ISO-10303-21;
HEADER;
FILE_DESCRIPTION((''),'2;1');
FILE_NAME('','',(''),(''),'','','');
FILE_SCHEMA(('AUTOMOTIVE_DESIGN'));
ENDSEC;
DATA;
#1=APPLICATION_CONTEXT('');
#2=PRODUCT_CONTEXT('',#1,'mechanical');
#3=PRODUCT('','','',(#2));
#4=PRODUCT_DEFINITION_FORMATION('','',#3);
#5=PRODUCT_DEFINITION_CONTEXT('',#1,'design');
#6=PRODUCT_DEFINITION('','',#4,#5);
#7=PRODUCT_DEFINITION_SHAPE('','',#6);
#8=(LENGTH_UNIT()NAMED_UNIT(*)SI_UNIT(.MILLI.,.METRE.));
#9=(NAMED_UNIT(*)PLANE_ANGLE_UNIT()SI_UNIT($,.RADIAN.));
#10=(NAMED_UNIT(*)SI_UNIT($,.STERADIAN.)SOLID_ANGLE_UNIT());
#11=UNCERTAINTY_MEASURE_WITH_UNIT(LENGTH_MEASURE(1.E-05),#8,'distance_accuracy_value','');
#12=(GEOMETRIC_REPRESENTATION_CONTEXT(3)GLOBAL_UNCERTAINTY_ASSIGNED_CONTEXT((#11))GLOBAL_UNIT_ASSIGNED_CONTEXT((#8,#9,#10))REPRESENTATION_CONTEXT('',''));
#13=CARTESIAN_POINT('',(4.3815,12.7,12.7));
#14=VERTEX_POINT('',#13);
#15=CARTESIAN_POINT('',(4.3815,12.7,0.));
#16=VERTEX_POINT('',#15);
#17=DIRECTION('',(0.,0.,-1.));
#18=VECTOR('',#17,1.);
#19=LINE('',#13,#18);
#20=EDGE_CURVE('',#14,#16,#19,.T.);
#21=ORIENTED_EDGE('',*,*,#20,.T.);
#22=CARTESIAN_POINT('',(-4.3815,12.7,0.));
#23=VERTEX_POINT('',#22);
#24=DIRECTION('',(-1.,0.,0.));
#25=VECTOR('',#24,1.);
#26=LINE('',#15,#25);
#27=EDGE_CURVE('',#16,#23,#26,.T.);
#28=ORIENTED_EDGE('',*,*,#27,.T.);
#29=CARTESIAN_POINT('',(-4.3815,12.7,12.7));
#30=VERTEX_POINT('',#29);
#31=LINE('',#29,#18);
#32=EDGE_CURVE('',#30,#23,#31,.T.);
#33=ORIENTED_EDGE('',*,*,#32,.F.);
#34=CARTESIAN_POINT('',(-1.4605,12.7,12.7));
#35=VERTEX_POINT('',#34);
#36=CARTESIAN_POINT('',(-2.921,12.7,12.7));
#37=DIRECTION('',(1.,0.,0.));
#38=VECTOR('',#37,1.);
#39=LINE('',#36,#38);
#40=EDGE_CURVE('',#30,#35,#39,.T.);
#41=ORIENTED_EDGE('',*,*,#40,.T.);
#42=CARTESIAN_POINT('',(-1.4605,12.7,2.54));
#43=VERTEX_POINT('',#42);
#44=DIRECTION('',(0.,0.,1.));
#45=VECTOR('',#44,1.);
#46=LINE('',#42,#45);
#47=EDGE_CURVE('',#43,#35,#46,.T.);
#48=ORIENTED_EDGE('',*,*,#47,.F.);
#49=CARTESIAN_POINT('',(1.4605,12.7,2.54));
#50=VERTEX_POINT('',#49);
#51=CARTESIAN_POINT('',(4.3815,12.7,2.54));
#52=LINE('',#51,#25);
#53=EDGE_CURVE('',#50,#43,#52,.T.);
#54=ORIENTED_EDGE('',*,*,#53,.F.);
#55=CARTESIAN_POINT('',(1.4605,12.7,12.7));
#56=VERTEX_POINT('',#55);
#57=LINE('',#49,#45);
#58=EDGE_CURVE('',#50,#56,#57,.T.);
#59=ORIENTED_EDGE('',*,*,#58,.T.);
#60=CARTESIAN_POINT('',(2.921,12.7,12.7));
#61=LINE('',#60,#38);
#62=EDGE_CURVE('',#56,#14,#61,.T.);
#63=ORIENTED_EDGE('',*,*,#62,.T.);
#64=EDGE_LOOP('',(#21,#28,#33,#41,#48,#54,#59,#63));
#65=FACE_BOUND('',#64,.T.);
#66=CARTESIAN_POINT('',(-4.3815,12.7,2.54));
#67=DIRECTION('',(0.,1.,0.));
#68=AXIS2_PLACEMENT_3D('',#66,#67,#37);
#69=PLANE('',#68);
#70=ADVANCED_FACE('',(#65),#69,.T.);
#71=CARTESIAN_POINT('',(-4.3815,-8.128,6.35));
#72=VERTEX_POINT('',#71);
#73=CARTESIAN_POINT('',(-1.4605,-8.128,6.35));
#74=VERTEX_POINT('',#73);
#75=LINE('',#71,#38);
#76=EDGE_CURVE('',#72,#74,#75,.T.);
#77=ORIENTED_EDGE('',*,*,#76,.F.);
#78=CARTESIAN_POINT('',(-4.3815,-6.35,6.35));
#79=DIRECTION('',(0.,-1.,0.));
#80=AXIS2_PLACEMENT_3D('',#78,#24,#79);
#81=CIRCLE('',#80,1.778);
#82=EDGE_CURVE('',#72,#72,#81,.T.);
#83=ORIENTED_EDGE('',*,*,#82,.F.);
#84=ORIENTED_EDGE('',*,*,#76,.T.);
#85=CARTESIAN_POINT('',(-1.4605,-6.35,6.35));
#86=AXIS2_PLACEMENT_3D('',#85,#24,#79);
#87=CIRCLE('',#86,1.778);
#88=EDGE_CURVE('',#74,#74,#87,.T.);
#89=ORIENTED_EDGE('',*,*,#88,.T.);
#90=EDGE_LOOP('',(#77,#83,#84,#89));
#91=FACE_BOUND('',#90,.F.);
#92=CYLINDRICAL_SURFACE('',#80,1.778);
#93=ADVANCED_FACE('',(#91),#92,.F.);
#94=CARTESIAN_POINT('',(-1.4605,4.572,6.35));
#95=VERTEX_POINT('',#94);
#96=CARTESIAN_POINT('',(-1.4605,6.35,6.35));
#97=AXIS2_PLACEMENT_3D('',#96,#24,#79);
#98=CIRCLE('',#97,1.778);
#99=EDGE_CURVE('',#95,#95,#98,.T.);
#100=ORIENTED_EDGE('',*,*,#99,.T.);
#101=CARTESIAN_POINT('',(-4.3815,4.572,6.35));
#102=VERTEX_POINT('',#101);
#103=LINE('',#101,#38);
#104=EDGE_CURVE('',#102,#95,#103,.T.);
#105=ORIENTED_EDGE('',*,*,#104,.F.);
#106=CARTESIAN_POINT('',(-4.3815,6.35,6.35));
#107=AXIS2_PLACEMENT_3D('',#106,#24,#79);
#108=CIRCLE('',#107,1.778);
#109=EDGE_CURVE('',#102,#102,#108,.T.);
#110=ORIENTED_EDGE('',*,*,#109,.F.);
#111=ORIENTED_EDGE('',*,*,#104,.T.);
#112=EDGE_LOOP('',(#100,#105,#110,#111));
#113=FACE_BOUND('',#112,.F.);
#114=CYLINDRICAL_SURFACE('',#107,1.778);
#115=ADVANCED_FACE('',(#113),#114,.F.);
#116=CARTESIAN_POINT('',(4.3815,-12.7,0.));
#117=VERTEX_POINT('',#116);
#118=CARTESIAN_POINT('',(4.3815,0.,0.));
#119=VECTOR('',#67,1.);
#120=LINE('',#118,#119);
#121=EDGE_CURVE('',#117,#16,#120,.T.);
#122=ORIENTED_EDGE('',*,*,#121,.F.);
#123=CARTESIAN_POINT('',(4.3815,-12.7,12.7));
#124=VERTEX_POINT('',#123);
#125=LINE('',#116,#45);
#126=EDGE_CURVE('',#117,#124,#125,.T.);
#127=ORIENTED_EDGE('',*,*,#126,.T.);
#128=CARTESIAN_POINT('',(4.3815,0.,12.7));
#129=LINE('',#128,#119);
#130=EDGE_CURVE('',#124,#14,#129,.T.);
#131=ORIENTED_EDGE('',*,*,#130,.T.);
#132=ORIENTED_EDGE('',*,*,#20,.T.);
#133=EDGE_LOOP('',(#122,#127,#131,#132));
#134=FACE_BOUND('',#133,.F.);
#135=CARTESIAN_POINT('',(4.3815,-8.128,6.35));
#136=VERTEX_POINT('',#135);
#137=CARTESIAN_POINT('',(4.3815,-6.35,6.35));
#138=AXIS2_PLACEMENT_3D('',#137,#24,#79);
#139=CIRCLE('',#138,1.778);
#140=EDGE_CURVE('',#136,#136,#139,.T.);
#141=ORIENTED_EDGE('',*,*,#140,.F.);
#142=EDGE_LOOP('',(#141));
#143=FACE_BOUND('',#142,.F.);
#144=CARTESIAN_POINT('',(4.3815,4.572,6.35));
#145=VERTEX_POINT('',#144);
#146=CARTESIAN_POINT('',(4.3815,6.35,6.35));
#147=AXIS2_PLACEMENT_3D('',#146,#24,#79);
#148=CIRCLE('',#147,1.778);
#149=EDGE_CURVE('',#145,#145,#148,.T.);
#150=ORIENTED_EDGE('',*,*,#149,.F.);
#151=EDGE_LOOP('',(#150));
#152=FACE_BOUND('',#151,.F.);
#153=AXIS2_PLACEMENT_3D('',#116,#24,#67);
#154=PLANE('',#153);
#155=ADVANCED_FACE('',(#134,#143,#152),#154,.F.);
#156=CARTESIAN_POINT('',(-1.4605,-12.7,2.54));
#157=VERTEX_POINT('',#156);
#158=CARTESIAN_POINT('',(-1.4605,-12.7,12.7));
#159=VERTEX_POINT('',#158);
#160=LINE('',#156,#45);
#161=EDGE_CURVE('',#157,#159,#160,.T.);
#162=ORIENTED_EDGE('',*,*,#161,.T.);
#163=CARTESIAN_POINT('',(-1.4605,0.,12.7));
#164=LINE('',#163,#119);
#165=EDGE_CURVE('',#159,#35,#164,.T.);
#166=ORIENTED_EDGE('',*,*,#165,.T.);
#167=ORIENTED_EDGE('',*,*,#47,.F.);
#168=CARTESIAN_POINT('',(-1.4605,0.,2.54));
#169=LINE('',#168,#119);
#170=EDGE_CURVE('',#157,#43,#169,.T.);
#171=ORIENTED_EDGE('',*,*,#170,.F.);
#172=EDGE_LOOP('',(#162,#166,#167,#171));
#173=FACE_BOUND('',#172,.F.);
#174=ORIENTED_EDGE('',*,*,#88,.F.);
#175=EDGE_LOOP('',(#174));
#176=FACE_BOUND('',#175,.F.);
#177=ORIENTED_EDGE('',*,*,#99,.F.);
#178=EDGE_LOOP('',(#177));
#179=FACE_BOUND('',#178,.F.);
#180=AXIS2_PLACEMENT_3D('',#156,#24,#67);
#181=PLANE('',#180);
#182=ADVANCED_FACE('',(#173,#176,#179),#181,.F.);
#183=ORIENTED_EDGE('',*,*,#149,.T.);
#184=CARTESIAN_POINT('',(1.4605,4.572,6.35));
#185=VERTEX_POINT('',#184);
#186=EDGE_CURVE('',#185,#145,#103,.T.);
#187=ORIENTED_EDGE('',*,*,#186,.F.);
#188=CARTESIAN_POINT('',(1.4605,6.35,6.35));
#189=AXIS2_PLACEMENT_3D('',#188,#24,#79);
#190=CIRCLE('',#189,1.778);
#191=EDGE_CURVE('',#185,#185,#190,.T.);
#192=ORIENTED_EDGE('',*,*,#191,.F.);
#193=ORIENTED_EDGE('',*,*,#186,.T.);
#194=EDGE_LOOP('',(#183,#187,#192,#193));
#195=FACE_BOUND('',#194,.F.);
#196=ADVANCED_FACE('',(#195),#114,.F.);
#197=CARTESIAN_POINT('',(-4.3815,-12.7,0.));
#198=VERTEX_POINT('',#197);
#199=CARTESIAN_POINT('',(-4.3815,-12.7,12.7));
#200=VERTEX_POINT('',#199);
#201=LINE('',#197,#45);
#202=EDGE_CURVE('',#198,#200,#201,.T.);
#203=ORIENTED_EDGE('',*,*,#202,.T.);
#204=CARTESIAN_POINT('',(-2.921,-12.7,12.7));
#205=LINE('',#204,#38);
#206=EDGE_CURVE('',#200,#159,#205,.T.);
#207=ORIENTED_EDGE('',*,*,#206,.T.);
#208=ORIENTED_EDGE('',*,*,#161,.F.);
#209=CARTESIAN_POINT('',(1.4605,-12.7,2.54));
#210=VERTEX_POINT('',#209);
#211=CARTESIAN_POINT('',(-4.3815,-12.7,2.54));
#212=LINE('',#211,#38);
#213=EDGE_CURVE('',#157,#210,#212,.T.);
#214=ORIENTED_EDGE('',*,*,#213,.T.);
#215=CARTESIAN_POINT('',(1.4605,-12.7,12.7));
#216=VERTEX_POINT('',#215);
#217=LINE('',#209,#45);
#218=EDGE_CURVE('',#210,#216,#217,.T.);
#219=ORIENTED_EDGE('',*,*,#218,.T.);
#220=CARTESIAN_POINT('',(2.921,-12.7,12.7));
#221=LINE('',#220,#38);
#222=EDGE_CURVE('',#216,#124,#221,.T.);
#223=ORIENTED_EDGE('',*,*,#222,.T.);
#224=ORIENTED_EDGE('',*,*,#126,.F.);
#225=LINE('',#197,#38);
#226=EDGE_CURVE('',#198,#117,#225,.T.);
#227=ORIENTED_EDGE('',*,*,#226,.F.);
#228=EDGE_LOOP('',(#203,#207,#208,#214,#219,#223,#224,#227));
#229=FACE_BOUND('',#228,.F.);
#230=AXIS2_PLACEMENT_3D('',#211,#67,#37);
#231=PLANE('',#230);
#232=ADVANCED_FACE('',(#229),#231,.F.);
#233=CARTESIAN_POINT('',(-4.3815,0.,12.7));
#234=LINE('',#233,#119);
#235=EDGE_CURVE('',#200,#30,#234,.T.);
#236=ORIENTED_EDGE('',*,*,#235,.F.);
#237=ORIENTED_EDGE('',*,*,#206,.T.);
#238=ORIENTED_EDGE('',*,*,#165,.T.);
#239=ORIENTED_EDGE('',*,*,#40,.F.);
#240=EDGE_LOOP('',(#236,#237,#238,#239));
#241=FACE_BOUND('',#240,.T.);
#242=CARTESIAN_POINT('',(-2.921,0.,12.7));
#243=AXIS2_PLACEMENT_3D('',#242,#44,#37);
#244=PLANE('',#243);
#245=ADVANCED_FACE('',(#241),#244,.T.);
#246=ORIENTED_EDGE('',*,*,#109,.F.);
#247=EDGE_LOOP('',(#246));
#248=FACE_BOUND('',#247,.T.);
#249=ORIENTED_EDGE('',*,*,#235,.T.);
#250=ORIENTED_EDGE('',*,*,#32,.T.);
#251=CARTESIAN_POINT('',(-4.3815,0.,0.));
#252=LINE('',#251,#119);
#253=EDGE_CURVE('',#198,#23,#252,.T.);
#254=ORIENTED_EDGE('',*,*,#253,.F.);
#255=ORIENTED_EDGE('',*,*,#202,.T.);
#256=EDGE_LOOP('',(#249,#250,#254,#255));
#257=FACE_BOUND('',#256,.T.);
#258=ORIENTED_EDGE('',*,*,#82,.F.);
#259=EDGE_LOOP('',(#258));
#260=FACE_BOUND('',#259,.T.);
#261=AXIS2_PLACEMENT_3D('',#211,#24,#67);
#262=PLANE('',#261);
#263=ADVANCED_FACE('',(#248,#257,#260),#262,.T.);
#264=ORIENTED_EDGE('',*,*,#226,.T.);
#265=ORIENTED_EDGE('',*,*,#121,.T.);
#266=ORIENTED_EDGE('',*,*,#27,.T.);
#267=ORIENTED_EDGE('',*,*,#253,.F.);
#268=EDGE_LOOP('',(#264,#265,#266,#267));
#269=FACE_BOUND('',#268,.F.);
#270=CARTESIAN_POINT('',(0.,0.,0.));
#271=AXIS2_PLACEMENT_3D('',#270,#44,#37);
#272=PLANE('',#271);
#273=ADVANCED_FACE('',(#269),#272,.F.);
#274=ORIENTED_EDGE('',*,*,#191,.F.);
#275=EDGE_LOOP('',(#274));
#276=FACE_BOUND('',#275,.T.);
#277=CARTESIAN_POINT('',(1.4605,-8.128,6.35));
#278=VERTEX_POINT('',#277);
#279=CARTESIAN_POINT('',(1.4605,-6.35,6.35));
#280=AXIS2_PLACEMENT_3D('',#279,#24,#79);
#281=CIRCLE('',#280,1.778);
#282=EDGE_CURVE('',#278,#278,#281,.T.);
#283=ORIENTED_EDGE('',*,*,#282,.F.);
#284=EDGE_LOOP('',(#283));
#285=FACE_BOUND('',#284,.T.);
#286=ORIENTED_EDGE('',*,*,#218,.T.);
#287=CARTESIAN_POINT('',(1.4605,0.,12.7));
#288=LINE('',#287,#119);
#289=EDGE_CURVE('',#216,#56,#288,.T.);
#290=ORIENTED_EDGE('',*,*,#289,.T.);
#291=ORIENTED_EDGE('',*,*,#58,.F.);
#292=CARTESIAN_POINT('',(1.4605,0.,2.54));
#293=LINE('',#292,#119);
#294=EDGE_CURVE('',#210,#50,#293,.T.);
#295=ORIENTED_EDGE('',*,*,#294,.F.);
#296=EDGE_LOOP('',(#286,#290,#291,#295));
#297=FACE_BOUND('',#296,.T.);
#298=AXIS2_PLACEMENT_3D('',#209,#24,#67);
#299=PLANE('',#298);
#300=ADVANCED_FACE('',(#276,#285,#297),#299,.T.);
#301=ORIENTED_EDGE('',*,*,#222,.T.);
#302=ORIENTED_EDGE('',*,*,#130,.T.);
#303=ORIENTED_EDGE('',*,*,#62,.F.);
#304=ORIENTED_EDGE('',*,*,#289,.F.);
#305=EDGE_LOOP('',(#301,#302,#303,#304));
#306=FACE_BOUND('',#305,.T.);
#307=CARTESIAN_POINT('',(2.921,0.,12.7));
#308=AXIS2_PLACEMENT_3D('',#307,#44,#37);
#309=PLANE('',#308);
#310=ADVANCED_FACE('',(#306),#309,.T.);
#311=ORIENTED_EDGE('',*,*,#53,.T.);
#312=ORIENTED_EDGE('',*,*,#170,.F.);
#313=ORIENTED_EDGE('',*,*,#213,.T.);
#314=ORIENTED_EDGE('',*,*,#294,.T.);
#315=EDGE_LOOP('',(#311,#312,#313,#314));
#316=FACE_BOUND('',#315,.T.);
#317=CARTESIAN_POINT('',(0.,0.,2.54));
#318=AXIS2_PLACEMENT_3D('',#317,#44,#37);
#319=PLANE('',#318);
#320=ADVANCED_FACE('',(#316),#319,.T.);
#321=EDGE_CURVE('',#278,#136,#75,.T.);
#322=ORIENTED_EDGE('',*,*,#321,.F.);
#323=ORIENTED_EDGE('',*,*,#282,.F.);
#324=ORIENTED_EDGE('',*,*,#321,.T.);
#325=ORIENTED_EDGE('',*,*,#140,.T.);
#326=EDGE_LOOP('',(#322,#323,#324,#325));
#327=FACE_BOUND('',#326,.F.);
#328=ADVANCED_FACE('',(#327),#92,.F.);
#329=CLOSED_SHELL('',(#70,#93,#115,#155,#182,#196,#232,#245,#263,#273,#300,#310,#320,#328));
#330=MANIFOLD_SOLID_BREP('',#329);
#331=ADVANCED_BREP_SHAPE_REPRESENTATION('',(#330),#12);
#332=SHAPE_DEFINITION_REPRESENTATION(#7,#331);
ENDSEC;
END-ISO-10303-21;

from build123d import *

# Parameters (mm, degrees)
F0_W     = 2.921
F0_H     = 25.4
F1_DEPTH = 2.54
F2_W     = 2.921
F2_H     = 25.4
F3_DEPTH = 10.16
F4_R     = 1.778
F5_DEPTH = 25.4


with BuildPart() as f1:
    # F0 (on Top) → F1 (new body)
    with BuildSketch(Plane.XY):
        Rectangle(F0_W, F0_H)
        with Locations((-2.921, 0)):
            Rectangle(F0_W, F0_H)
        with Locations((2.921, 0)):
            Rectangle(F0_W, F0_H)
    extrude(amount=F1_DEPTH)

    # F2 (on face) → F3 (join)
    with BuildSketch(Plane.XY.offset(2.54)):
        with Locations((-2.921, 0)):
            Rectangle(F2_W, F2_H)
        with Locations((2.921, 0)):
            Rectangle(F2_W, F2_H)
    extrude(amount=F3_DEPTH)

    # F4 (on face) → F5 (cut)
    with BuildSketch(Plane(origin=(-4.3815, 0, 0), x_dir=(0, -1, 0), z_dir=(-1, 0, 0))):
        with Locations((-6.35, 6.35)):
            Circle(F4_R)
        with Locations((6.35, 6.35)):
            Circle(F4_R)
    extrude(amount=-F5_DEPTH, mode=Mode.SUBTRACT)


solid = f1.part
